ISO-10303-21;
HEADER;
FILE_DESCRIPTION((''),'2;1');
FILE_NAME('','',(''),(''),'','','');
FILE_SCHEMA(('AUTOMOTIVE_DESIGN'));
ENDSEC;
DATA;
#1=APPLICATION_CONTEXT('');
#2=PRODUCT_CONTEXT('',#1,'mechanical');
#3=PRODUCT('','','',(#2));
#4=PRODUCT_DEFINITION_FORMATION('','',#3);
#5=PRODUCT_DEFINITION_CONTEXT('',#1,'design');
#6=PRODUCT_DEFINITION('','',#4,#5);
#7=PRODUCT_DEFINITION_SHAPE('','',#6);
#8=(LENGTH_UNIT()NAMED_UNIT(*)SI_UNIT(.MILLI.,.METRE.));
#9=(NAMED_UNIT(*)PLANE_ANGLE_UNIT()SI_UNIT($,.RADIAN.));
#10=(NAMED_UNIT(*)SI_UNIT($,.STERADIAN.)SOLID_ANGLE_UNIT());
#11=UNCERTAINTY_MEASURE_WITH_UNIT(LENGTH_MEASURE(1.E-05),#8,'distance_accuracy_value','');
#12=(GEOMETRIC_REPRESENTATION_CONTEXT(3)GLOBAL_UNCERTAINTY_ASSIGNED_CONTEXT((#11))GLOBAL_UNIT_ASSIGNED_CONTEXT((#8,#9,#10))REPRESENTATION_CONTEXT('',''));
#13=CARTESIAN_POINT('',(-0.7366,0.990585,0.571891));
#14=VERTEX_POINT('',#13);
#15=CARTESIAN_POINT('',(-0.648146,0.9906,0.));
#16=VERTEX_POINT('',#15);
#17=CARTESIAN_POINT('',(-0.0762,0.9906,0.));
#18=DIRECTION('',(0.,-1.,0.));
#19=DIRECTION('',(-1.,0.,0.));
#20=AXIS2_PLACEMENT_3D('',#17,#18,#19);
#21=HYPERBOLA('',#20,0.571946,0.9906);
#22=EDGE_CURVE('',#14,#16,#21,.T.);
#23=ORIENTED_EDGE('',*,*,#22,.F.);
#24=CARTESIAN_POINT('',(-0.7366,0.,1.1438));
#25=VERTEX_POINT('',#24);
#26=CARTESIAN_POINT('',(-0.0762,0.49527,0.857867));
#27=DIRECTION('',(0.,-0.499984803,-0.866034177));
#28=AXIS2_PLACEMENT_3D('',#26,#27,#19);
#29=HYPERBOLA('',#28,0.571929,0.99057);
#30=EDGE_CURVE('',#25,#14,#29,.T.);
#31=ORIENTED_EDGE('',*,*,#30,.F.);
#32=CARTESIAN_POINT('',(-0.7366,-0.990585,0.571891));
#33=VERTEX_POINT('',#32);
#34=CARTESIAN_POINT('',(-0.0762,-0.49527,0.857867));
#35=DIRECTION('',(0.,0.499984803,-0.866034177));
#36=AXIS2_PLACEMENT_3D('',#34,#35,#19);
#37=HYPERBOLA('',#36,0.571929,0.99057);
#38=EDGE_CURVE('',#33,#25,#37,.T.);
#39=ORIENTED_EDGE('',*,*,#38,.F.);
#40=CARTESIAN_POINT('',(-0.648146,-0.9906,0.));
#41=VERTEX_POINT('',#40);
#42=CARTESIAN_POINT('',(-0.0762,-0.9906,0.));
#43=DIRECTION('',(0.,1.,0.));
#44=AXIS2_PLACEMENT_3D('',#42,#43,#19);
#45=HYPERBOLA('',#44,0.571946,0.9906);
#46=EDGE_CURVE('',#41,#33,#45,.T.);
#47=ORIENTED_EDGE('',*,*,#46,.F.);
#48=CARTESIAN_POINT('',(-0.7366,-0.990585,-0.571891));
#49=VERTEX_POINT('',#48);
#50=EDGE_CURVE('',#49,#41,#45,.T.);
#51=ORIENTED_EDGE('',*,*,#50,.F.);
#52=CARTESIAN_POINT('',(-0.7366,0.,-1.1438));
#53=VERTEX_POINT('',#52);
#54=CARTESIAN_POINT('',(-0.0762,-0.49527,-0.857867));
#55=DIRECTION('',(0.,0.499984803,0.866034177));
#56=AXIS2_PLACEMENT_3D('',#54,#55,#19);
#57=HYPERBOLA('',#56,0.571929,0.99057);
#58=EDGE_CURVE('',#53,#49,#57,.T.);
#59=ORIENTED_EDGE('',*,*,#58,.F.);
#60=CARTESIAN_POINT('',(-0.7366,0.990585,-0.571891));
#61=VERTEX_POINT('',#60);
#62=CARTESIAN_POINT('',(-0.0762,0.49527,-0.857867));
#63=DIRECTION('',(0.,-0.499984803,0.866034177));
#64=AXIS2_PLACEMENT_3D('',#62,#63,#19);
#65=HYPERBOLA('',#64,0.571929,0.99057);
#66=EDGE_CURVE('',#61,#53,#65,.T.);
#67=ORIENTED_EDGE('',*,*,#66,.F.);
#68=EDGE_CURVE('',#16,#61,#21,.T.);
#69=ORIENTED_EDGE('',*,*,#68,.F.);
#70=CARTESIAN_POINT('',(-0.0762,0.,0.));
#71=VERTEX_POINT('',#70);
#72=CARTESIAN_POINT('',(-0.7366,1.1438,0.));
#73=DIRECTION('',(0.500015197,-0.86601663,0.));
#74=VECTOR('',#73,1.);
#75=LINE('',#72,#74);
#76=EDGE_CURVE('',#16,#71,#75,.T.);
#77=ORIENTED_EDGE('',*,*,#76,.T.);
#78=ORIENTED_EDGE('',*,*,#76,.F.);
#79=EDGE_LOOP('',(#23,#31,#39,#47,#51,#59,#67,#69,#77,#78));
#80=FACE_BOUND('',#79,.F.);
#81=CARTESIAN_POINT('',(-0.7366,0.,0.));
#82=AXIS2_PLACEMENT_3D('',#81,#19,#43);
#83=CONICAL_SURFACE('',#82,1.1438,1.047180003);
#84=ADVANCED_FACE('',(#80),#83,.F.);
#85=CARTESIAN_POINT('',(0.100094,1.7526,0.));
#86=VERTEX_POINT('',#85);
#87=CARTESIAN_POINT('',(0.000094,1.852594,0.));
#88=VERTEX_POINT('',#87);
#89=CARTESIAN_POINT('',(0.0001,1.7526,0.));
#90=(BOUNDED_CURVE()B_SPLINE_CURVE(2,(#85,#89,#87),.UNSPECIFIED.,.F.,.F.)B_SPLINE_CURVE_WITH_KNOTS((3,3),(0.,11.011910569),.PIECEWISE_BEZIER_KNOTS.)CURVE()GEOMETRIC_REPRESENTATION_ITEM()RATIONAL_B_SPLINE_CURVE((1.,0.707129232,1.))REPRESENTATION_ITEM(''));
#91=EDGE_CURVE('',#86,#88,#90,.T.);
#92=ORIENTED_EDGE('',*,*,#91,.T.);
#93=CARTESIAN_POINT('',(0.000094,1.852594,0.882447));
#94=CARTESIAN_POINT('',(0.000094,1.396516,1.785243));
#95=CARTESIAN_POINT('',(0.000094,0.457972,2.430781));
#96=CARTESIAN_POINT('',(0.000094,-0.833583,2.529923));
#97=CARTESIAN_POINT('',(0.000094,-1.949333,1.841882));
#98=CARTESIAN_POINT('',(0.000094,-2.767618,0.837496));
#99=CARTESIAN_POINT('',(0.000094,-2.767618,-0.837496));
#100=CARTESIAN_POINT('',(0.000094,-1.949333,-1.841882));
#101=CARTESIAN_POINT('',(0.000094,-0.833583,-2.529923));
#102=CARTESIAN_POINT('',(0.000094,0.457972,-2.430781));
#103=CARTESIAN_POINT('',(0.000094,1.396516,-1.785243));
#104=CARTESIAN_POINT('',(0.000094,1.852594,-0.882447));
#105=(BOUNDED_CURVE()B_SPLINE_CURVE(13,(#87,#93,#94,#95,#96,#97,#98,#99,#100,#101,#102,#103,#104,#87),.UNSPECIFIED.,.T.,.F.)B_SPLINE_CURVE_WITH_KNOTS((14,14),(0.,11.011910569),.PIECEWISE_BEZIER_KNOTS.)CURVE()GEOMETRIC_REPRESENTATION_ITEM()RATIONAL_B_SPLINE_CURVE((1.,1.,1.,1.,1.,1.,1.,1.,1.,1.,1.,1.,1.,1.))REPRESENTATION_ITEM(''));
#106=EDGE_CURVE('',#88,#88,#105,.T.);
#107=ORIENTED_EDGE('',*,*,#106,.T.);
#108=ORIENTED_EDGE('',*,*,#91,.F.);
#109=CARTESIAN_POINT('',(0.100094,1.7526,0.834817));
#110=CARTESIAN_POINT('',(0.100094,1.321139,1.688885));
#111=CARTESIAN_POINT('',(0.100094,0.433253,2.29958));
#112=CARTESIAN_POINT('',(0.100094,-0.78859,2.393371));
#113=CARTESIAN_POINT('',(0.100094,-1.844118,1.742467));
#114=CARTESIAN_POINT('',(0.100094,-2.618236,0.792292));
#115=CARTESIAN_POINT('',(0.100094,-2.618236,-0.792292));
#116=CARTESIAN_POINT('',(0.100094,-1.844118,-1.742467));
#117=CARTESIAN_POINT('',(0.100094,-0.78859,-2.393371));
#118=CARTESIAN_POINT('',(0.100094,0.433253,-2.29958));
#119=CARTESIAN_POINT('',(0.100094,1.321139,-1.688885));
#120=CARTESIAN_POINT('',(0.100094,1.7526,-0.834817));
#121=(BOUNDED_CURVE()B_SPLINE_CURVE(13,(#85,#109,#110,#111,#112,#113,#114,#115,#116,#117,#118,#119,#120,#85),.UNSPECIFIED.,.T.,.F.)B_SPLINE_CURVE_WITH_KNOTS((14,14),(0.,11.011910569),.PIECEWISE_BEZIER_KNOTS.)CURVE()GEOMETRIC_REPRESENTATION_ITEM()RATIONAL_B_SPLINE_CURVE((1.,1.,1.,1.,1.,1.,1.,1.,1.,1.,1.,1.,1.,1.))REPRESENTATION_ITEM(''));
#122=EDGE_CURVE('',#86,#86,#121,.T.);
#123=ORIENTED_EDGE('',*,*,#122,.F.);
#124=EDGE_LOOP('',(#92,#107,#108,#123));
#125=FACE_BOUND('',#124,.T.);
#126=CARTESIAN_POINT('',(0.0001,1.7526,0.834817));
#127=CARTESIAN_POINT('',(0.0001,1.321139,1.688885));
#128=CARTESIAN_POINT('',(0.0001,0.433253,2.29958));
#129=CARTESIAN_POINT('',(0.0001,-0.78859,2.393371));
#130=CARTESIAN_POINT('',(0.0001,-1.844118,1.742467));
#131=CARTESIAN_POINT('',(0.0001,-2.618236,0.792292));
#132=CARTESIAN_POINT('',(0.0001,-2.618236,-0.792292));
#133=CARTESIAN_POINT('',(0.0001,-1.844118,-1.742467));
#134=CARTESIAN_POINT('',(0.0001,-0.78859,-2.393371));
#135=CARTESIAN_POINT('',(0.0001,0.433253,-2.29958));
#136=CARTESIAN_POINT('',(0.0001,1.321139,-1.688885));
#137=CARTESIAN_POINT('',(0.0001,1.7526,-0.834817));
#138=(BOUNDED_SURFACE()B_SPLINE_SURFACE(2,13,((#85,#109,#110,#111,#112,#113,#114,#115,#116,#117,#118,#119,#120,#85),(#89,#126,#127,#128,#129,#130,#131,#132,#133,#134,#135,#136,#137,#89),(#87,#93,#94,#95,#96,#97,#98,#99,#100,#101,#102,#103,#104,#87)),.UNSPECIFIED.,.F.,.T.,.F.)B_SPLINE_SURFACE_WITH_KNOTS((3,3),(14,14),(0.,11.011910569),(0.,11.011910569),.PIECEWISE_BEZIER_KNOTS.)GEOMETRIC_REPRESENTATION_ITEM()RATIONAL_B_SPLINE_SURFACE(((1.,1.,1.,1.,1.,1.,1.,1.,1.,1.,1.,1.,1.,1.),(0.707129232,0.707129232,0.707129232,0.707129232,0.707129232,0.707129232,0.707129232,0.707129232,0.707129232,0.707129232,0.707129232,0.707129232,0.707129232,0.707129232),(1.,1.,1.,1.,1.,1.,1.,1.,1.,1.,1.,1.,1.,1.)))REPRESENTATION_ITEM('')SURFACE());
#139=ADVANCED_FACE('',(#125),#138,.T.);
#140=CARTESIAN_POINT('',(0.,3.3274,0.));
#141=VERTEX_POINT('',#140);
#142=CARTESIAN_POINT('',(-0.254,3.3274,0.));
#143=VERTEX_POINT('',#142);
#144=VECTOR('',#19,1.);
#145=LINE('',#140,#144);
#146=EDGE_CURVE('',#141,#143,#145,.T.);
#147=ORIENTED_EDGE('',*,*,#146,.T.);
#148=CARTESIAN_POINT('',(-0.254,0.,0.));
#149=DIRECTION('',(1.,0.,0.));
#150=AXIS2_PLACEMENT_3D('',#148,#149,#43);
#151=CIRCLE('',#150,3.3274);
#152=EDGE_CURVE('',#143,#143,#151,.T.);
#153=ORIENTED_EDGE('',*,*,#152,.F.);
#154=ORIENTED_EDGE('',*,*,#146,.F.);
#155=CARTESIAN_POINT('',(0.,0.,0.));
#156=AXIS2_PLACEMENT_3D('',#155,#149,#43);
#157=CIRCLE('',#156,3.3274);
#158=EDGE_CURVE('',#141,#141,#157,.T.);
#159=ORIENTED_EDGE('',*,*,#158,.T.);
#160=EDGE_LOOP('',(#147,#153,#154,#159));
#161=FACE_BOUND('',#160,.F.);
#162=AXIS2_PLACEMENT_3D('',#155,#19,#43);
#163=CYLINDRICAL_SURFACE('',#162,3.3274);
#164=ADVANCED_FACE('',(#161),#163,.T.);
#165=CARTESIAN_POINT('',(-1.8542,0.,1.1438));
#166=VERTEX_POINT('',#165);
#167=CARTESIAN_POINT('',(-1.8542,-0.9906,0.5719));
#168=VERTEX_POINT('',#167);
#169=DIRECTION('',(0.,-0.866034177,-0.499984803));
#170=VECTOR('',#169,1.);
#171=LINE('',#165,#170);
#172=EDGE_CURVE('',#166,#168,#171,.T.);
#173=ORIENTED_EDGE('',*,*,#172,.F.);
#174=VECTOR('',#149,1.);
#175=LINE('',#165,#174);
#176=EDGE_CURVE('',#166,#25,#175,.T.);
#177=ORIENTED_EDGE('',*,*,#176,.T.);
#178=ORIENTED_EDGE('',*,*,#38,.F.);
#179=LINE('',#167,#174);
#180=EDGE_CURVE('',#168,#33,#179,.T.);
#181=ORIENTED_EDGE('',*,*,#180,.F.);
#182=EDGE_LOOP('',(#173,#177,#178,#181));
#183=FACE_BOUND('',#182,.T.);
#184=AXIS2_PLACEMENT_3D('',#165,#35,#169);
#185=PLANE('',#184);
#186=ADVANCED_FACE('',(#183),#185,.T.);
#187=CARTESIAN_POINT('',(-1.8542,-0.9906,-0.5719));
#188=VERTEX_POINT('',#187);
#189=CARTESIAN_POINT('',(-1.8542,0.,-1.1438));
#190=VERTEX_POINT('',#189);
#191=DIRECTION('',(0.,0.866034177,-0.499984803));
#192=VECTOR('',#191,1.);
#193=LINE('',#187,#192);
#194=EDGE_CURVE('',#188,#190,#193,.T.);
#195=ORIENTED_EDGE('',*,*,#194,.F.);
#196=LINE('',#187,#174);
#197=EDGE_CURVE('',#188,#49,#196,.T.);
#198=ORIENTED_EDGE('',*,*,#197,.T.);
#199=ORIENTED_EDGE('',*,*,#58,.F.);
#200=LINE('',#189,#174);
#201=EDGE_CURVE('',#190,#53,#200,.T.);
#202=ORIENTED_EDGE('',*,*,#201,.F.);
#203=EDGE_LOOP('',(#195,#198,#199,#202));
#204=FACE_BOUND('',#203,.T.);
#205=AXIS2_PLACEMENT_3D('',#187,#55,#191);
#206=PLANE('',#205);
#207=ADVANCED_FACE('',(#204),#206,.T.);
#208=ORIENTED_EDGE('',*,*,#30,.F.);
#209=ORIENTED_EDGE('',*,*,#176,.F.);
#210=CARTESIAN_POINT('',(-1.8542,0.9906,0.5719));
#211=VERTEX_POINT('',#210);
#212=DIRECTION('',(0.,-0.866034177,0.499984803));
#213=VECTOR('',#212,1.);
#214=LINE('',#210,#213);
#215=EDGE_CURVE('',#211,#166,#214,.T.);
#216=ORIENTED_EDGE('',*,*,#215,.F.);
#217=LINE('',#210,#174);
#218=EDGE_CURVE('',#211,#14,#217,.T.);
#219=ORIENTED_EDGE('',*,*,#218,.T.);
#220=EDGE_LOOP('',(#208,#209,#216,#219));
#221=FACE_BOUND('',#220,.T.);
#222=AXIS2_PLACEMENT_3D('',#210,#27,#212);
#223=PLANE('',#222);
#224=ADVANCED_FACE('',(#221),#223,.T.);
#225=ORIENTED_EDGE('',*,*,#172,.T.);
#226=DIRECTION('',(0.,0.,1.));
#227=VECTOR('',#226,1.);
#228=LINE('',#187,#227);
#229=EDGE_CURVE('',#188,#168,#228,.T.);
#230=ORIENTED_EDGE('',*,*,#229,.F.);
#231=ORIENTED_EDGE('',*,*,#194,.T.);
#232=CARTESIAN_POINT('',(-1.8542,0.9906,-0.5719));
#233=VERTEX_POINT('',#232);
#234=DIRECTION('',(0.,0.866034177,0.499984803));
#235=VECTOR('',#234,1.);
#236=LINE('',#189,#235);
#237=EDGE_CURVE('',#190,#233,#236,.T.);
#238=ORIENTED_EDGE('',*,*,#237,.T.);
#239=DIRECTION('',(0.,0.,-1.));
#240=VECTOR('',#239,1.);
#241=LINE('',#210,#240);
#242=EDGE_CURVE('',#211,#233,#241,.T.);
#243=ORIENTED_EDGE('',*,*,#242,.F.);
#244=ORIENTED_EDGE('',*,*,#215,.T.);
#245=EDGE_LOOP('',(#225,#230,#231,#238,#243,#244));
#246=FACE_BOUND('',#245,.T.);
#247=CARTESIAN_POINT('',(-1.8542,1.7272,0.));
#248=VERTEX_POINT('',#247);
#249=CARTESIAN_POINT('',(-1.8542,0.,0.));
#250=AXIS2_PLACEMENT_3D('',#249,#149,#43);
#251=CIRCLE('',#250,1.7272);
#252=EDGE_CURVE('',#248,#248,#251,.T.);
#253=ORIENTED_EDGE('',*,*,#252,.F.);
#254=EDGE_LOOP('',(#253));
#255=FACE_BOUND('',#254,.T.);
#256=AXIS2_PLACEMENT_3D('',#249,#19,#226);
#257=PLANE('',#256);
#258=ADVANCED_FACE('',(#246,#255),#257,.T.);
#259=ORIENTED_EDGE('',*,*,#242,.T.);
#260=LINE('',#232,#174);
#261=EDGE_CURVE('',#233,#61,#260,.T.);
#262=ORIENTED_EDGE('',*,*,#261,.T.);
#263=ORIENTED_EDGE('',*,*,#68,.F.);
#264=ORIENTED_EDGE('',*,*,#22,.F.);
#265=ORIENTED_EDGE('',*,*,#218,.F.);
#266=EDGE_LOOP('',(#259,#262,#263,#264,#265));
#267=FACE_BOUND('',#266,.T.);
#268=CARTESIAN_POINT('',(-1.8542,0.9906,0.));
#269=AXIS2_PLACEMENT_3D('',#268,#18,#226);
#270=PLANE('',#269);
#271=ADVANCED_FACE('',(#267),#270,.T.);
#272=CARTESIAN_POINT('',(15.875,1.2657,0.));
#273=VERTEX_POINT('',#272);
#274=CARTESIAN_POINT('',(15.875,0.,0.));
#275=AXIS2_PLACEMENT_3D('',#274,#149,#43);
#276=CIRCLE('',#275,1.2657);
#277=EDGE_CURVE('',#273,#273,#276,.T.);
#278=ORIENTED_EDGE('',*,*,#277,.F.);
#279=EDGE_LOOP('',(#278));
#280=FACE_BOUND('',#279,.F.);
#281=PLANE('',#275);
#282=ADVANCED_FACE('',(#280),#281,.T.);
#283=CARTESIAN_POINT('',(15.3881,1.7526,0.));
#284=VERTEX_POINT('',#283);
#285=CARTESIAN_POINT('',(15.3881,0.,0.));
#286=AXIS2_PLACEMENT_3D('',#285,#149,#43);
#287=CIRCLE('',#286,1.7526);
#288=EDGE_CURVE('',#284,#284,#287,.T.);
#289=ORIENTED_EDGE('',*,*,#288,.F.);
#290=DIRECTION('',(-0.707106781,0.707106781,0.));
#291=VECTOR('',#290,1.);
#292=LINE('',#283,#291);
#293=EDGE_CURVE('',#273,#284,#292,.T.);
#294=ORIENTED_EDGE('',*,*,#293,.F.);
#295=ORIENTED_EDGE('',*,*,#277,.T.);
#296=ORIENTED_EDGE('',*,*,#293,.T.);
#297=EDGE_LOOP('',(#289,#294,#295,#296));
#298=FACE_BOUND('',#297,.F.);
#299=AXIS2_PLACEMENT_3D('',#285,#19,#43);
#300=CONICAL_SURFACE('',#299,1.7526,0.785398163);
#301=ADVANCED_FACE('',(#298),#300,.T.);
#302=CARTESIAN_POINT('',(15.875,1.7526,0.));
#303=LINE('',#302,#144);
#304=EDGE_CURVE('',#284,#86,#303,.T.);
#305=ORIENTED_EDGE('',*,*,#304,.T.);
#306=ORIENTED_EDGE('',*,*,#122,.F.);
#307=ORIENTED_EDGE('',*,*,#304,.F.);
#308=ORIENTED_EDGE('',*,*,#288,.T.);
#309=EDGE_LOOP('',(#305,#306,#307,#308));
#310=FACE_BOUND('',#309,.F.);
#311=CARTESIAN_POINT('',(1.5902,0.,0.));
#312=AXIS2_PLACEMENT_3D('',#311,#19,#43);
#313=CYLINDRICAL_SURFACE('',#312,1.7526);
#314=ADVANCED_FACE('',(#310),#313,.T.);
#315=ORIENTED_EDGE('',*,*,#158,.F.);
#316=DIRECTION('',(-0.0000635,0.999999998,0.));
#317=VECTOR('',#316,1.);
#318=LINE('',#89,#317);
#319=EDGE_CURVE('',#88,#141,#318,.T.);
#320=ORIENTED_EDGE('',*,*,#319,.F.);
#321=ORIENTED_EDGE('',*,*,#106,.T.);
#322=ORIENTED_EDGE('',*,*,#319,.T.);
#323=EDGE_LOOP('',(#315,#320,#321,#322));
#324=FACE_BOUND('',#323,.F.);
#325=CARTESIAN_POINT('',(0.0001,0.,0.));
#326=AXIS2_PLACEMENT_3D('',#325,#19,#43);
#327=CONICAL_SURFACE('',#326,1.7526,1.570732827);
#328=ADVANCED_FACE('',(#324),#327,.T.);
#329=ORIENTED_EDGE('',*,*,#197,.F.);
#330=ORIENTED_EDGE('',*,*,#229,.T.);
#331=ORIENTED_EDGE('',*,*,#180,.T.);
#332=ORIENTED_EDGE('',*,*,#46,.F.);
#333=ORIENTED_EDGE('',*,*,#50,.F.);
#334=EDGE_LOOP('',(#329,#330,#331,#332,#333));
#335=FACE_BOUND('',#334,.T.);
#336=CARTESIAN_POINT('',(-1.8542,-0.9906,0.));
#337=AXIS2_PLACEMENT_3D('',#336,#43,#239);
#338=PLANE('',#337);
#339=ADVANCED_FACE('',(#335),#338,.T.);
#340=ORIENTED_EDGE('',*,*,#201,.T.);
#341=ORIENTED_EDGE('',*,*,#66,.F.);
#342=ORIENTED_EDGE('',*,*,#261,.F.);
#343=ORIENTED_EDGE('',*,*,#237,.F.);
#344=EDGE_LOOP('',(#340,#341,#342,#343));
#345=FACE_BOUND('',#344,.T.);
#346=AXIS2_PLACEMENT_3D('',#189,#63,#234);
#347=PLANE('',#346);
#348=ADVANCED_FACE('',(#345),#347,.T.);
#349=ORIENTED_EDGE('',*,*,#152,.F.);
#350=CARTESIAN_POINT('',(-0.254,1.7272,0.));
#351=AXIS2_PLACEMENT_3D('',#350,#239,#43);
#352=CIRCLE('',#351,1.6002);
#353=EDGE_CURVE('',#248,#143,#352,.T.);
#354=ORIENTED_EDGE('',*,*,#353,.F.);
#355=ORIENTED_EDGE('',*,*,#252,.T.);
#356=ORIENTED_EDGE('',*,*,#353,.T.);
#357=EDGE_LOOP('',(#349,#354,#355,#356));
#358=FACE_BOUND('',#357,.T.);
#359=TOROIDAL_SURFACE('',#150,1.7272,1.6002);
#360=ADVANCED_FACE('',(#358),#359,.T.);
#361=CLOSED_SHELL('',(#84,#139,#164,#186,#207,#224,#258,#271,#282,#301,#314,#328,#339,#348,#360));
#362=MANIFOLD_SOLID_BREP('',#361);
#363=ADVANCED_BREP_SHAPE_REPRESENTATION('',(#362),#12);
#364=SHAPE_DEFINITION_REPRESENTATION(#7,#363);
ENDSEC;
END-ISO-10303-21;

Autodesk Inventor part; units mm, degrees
ref_plane "YZ Plane" through (0, 0, 0) normal (1, 0, 0) x (0, 1, 0)
ref_plane "XZ Plane" through (0, 0, 0) normal (0, 1, 0) x (-1, 0, 0)
sketch "Sketch1" plane through (0, 0, 0) normal (0, 0, 1) x (1, 0, 0)
  line L0 (-0.0762, 0) -> (15.875, 0)
  line L1 (15.875, 0) -> (15.875, 1.7526)
  line L2 (15.875, 1.7526) -> (1.5902, 1.7526)
  line L3 (1.5902, 1.7526) -> (0.0001, 1.7526)
  line L4 (0.0001, 1.7526) -> (0, 1.7526)
  line L5 (0, 1.7526) -> (0, 3.3274)
  line L6 (0, 3.3274) -> (-1.8542, 3.3274)
  line L7 (-1.8542, 3.3274) -> (-1.8542, 1.1438)
  line L8 (-1.8542, 1.1438) -> (-0.7366, 1.1438)
  line L9 (-0.7366, 1.1438) -> (-0.0762, 0)
  line L10 (-5.4, 0) -> (19.4208, 0) projected
  line L11 (0, -0.6655) -> (0, 3.9929) projected
  line L12 (1.5902, 1.7526) -> (0, 1.7526) construction
  dimension "d1" = 14.2848
  dimension "d2" = 1.5901
  dimension "d3" = 1.8542
  dimension "d4" = 1.1176
  dimension "d5" = 60
  dimension "d6" = 3.5052
  dimension "d7" = 3.5052
  dimension "d8" = 2.2877
  dimension "d9" = 6.6548
  dimension "d26" = 15.875
revolve "Body" add sketch "Sketch1" angle 360 about axis through (-0.0762, 0, 0) along (1, 0, 0)
sketch "Sketch2" plane through (-1.8542, 0, 0) normal (-1, 0, 0) x (0, 0, 1)
  circle A0 centre (0, 0) radius 1.1438 projected
  line L0 (0, -4.6584) -> (0, 4.6584) projected
  line L1 (-4.6584, 0) -> (4.6584, 0) projected
  line L2 (1.1438, 0) -> (0.5719, -0.9906)
  line L3 (0.5719, -0.9906) -> (-0.5719, -0.9906)
  line L4 (-0.5719, -0.9906) -> (-1.1438, 0)
  line L5 (-1.1438, 0) -> (-0.5719, 0.9906)
  line L6 (-0.5719, 0.9906) -> (0.5719, 0.9906)
  line L7 (0.5719, 0.9906) -> (1.1438, 0)
extrude "Slot" add sketch "Sketch2" against normal up to next contours L7 A0 | A0 L2 | L6 L0 A0 | A0 L0 L3 | L0 L6 A0 | A0 L3 L0 | L4 A0 | A0 L5
fillet "Fillet1" radius 1.6002 1 edges at (-1.8542, -3.3274, 0)
thread "Thread" size "6-32 UNC" class "2A" standard "ANSI Unified Screw Threads" length 14.2848
chamfer "Chamfer1" distance 0.4869 distance2 0.4869 1 edges at (15.875, -1.7526, 0) measured on face at (15.875, -0.5973, -0.3874)
ref_plane "Work Plane1" through (29, 0, 0) normal (0, -1, 0) x (1, 0, 0)
fillet "Fillet2" radius 0.1 1 edges at (0.0001, -1.7526, 0)
equation "\"d1\" = GEL"
equation "\"d3\" = KOH"
equation "\"d4\" = INTI"
equation "\"d6\" = GD"
equation "\"d7\" = BDM"
equation "\"d8\" = 1.1547 * SW"
equation "\"d9\" = KOD"
equation "\"d26\" = NLG"
equation "\"d30\" = R"
equation "\"d17\" = RR"
equation "\"d13\" = GEL"
equation "\"d15\" = -0.5 * SPD + 0.5 * GD"
equation "\"d16\" = GUL"
equation "\"GD\" = NND"
equation "\"NLG\" = 15.875"
equation "\"GEL\" = 14.28476"
equation "\"KOD\" = 6.6548"
equation "\"KOH\" = 1.8542"
equation "\"INTI\" = 1.1176"
equation "\"GAL\" = 1.59004"
equation "\"GUL\" = 0.48692"
equation "\"BDM\" = NND"
equation "\"SW\" = 1.9812"
equation "\"RR\" = 1.6002"
equation "\"SPD\" = 2.53136"
equation "\"R\" = 0.1"
equation "\"TOA\" = 30deg"
equation "\"GD1\" = SPD"
equation "\"THREADDIA\" = 3.5052"
equation "\"KOH1\" = 0.381"
equation "\"NND\" = 3.5052"
equation "\"E0\" = 2.28829"
properties part number "ANSI B18.3 - 6 - 32 x 5/8" material "Steel, Mild"
